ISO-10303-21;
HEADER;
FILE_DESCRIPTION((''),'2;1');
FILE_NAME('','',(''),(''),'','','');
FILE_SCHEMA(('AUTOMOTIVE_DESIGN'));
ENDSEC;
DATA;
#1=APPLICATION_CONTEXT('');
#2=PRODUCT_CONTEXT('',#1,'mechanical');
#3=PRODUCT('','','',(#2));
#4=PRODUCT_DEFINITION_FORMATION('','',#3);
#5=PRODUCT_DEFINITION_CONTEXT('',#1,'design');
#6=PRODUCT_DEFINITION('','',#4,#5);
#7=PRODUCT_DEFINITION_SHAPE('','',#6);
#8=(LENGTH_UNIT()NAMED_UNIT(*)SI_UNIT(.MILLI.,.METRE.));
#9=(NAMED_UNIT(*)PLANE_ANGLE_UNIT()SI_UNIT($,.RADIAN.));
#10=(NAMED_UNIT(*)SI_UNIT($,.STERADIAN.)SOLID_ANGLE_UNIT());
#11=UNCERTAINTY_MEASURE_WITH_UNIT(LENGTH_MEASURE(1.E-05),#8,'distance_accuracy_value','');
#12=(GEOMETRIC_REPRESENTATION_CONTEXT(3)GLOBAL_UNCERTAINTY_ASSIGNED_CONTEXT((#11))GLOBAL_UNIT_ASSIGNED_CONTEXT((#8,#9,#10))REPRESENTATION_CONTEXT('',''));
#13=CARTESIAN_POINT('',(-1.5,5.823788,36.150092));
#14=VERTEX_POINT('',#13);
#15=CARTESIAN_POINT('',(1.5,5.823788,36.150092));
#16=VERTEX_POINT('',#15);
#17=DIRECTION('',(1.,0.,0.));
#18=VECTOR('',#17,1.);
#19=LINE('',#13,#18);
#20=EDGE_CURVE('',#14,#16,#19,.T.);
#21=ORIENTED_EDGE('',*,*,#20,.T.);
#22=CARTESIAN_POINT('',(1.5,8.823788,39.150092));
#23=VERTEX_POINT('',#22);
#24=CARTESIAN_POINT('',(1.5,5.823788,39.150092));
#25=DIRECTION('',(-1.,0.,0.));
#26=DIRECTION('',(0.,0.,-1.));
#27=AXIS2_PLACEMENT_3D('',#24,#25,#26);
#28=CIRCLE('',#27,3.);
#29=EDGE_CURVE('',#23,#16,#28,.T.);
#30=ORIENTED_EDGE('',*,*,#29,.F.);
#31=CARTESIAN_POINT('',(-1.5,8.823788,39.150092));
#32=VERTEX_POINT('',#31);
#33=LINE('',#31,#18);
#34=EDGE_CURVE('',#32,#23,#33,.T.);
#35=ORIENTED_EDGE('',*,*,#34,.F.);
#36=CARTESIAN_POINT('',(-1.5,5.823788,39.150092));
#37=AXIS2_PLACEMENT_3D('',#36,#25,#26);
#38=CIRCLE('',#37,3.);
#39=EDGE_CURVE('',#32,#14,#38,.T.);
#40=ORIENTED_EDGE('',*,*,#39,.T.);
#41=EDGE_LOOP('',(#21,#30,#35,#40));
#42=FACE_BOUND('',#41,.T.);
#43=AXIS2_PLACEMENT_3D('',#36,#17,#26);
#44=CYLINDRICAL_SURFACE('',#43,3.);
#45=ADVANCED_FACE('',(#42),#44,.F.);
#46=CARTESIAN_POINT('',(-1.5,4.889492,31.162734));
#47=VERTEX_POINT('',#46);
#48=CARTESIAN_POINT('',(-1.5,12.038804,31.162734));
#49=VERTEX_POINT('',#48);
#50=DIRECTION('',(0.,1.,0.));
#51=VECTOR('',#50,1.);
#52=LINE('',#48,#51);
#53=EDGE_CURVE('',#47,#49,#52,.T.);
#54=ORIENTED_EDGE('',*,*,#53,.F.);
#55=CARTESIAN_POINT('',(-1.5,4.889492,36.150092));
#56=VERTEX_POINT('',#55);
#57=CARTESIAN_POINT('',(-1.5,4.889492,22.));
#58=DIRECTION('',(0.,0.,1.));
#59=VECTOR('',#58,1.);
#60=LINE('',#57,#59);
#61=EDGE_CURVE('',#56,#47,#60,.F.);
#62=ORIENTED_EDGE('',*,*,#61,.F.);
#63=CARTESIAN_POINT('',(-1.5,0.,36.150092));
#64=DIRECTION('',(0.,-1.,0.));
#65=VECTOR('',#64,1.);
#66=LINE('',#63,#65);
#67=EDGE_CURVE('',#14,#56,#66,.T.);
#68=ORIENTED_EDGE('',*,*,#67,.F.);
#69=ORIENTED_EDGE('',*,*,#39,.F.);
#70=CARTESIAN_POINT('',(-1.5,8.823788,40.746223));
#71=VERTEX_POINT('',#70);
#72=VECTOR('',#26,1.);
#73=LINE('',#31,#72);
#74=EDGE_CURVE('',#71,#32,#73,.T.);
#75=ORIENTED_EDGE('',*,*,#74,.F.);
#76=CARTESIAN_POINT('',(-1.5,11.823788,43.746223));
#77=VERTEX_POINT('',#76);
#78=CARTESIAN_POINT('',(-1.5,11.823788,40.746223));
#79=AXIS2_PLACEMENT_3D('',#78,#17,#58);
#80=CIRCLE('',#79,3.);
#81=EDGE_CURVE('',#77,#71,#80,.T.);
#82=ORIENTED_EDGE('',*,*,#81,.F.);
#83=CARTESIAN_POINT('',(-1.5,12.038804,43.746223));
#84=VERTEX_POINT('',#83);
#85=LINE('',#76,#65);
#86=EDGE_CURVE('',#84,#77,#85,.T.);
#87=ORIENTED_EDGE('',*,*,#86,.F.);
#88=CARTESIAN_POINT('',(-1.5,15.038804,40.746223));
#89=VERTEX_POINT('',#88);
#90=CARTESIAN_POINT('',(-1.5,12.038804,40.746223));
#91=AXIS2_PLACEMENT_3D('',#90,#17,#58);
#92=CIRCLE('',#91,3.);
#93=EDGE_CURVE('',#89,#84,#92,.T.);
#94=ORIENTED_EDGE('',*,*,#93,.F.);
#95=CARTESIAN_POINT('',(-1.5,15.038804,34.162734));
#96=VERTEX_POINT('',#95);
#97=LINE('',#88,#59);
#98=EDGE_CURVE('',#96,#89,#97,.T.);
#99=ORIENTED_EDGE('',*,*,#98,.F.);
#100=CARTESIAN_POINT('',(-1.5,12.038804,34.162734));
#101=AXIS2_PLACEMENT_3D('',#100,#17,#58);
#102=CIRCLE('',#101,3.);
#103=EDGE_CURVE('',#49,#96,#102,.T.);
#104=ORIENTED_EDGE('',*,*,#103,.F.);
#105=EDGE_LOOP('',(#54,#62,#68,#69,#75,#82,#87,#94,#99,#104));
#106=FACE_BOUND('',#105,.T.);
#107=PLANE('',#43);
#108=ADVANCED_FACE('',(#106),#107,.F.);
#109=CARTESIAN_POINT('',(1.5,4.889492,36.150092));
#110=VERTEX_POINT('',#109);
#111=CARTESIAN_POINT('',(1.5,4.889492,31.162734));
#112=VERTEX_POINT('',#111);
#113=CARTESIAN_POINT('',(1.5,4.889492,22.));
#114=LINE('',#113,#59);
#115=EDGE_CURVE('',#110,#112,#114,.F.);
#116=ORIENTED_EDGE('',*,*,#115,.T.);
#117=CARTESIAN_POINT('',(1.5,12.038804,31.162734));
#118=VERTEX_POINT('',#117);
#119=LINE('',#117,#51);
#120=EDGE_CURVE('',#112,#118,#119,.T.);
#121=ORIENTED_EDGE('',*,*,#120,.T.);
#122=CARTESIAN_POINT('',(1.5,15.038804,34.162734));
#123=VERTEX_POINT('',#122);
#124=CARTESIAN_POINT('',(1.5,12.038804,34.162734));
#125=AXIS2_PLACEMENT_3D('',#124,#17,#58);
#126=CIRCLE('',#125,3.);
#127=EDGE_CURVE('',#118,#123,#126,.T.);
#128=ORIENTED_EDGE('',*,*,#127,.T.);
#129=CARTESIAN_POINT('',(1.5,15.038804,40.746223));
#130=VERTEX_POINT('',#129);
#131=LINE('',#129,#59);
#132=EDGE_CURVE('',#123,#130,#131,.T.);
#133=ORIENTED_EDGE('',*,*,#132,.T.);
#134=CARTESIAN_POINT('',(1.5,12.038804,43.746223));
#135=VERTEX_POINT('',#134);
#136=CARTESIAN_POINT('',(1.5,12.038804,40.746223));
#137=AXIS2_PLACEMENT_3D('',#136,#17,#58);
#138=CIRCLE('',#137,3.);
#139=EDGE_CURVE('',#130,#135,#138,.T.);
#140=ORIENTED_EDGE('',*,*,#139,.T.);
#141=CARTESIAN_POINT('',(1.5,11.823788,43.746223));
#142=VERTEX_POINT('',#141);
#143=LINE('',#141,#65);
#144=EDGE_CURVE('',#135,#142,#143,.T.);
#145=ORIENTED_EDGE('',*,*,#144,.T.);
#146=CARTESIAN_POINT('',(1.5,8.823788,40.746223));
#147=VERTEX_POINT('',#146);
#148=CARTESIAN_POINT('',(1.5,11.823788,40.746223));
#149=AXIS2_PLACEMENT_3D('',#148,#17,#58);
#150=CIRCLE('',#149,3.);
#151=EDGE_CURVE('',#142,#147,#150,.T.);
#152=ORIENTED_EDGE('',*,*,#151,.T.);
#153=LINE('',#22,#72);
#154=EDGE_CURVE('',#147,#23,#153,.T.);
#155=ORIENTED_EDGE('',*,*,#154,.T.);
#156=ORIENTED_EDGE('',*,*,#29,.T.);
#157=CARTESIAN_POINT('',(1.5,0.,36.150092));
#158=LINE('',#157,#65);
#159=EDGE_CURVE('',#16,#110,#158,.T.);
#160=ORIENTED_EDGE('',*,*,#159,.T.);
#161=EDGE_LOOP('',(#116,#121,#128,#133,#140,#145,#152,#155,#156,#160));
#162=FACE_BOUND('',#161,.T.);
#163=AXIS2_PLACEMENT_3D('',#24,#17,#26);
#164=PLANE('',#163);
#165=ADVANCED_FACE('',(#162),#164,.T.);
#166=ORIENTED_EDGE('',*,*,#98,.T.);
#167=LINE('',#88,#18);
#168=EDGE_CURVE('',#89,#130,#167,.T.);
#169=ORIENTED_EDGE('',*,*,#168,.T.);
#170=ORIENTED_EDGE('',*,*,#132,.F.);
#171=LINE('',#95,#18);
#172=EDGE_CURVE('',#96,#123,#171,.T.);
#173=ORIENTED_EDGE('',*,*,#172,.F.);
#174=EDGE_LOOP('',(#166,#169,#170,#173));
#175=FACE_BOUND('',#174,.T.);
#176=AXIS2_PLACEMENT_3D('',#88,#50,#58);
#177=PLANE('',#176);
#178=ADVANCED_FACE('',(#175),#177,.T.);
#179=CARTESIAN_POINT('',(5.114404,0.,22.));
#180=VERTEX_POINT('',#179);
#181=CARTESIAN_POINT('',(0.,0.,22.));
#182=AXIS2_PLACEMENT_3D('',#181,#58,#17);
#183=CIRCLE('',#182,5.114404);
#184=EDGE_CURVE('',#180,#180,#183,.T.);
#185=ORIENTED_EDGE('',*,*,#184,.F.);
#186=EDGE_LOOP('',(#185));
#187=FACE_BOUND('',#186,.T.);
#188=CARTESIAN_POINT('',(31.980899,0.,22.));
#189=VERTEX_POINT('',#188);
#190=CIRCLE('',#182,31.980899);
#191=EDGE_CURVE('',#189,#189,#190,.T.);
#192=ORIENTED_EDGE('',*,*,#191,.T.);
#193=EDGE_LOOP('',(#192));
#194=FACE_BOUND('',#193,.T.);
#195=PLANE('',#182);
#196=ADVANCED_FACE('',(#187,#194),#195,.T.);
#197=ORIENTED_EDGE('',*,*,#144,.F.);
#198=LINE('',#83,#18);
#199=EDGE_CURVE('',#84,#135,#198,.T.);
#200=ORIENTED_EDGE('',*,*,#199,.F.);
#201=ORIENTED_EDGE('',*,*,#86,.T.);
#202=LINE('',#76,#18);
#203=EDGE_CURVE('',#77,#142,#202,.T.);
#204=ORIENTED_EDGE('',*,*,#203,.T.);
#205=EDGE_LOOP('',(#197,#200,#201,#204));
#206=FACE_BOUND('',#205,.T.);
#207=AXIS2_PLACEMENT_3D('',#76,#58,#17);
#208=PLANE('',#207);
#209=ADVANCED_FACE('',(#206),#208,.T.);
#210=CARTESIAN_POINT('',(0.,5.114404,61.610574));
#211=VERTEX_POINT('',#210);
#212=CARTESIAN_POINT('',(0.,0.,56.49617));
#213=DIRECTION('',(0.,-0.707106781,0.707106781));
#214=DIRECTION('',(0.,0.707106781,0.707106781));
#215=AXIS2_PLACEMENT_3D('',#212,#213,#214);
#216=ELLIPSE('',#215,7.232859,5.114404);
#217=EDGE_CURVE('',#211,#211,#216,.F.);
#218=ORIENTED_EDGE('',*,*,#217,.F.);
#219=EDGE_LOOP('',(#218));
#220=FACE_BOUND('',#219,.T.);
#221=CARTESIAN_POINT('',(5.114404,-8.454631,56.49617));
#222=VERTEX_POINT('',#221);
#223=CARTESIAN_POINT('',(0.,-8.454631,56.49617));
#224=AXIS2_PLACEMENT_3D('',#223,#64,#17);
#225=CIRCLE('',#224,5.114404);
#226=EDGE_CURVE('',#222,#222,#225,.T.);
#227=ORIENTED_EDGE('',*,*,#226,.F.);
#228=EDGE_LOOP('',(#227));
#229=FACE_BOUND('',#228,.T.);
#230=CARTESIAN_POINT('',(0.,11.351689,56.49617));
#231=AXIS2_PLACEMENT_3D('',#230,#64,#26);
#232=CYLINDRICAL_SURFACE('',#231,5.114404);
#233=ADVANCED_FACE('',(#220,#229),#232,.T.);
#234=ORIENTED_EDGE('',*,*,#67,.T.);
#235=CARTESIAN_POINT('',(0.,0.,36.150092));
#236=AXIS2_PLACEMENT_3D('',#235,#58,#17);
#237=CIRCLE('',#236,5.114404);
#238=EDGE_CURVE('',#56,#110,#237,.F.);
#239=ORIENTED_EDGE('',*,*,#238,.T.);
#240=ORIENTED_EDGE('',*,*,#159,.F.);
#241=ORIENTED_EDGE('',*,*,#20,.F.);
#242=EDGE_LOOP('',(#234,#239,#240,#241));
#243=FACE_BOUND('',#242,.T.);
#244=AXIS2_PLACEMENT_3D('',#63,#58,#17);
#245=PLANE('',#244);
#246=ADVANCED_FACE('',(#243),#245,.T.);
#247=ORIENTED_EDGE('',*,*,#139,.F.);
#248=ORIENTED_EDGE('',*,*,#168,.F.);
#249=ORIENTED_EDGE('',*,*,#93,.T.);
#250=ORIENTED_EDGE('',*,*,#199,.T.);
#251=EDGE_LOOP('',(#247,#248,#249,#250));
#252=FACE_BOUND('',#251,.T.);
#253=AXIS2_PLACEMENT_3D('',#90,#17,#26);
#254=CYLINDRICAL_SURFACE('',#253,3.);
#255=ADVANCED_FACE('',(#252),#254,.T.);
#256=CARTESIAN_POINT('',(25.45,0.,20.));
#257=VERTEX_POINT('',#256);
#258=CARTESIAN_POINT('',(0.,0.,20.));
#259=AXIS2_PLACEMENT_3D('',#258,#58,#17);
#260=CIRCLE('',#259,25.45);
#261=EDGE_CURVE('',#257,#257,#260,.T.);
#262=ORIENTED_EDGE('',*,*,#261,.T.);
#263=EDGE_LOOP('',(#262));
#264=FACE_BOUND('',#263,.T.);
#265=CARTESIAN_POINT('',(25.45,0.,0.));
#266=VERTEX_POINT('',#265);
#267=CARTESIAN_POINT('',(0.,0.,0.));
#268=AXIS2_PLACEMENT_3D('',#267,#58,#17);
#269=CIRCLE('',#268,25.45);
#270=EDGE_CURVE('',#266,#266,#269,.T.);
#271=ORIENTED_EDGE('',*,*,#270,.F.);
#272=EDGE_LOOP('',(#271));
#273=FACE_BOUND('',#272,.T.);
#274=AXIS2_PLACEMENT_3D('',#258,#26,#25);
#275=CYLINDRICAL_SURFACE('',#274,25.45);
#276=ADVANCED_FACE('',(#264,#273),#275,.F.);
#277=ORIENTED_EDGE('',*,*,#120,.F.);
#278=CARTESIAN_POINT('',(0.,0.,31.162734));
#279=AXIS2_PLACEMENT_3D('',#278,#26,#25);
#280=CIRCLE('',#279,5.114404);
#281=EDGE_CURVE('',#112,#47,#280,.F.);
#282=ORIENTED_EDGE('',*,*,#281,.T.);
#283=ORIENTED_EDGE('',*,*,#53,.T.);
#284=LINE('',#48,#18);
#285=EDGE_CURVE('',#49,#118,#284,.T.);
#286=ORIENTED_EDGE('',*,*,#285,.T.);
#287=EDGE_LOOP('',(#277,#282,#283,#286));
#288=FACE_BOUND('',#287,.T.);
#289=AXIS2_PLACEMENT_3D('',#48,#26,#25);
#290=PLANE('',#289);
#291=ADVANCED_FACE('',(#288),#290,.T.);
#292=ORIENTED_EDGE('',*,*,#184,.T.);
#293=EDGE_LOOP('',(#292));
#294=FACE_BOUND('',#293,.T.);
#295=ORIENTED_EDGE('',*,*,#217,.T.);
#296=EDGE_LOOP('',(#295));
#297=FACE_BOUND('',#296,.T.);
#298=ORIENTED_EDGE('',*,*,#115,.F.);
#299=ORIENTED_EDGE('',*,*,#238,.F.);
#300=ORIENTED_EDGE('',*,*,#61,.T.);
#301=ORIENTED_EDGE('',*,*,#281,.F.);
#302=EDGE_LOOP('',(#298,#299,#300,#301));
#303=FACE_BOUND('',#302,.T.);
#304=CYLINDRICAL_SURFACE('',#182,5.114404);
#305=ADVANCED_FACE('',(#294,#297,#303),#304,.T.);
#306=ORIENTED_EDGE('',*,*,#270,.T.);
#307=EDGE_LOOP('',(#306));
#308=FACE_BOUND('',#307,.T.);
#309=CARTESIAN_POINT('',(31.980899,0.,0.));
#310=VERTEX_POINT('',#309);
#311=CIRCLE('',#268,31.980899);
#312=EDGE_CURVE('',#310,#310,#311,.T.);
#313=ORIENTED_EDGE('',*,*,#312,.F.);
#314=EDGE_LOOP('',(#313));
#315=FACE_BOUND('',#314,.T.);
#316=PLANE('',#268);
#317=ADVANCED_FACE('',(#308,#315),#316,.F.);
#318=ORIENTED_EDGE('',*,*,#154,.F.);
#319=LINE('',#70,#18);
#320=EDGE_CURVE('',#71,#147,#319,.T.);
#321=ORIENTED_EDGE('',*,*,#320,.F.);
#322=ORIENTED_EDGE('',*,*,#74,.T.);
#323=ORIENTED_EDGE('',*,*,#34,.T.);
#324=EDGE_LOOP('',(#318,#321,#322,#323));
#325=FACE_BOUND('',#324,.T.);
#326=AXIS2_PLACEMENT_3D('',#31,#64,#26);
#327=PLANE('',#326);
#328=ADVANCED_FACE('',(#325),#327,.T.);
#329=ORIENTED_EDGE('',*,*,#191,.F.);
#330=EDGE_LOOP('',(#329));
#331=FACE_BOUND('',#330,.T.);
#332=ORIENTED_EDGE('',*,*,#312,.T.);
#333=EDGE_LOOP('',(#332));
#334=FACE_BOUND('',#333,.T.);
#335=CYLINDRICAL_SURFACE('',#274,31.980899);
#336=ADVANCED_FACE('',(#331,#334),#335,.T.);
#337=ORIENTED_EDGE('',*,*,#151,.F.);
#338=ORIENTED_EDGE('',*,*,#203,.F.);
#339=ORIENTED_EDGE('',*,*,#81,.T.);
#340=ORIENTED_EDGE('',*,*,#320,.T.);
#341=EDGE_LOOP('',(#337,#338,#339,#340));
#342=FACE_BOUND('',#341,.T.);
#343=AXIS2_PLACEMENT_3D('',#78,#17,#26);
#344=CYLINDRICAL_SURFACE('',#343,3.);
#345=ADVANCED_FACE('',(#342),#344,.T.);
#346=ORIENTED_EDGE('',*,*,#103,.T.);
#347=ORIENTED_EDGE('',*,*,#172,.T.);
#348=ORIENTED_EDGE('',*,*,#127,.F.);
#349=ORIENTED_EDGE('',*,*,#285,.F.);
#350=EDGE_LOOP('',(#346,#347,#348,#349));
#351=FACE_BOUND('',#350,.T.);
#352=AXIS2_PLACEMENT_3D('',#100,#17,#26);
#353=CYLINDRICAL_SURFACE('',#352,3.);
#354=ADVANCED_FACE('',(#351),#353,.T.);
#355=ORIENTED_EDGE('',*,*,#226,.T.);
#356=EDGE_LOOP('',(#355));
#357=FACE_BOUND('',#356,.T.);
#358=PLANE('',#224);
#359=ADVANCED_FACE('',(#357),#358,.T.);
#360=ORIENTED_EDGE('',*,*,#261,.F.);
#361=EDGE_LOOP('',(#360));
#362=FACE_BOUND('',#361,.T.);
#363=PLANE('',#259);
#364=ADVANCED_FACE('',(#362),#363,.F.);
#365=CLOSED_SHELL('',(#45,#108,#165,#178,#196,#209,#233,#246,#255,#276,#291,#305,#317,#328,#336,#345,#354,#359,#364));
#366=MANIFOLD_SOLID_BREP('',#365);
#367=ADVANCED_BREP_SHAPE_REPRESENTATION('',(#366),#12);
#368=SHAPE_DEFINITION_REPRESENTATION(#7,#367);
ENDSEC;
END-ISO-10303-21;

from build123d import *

# Parameters (mm, degrees)
SKETCH1_R                = 31.980898523
SKETCH1_R_2              = 25.45
BOSS_EXTRUDE1_DEPTH      = 20
SKETCH2_R                = 31.980898523
BOSS_EXTRUDE2_DEPTH      = 2
SKETCH3_R                = 5.114403944
BOSS_EXTRUDE3_DEPTH      = 1.5
BOSS_EXTRUDE3_DEPTH_BACK = 1.5


with BuildPart() as part:
    # Sketch1 → Boss-Extrude1 (new body)
    with BuildSketch(Plane.XY):
        Circle(SKETCH1_R)
        Circle(SKETCH1_R_2, mode=Mode.SUBTRACT)
    extrude(amount=BOSS_EXTRUDE1_DEPTH)

    # Sketch2 → Boss-Extrude2 (add)
    with BuildSketch(Plane.XY.offset(20)):
        Circle(SKETCH2_R)
    extrude(amount=BOSS_EXTRUDE2_DEPTH)

    # Sweep2: sweep along a path in Sketch4
    with BuildLine(Plane(origin=(0, 0, 0), x_dir=(0, 0, -1), z_dir=(1, 0, 0))) as sweep2_path:
        Line((-22, 0), (-56.496170036, 0))
        Line((-56.496170036, 0), (-56.496170036, -8.454631323))
    # Sketch3 → Sweep2 (sweep)
    with BuildSketch(Plane.XY.offset(22)):
        Circle(SKETCH3_R)
    sweep(path=sweep2_path.line, transition=Transition.RIGHT)

    # Sketch5 → Boss-Extrude3 (add, two sides: drawn at the far end of the back side and taken through both)
    with BuildSketch(Plane(origin=(0, 0, 0), x_dir=(0, 0, -1), z_dir=(1, 0, 0)).offset(-BOSS_EXTRUDE3_DEPTH_BACK)):
        with BuildLine():
            Line((-36.150092228, 0), (-36.150092228, 5.823788286))
            ThreePointArc((-36.150092228, 5.823788286), (-37.028771884, 7.94510863), (-39.150092228, 8.823788286))
            Line((-39.150092228, 8.823788286), (-40.746223013, 8.823788286))
            ThreePointArc((-40.746223013, 8.823788286), (-42.867543357, 9.702467943), (-43.746223013, 11.823788286))
            Line((-43.746223013, 11.823788286), (-43.746223013, 12.038804384))
            ThreePointArc((-43.746223013, 12.038804384), (-42.867543357, 14.160124727), (-40.746223013, 15.038804384))
            Line((-40.746223013, 15.038804384), (-34.162733631, 15.038804384))
            ThreePointArc((-34.162733631, 15.038804384), (-32.041413287, 14.160124727), (-31.162733631, 12.038804384))
            Line((-31.162733631, 12.038804384), (-31.162733631, 0))
            Line((-31.162733631, 0), (-36.150092228, 0))
        make_face()
    extrude(amount=BOSS_EXTRUDE3_DEPTH + BOSS_EXTRUDE3_DEPTH_BACK)


solid = part.part
